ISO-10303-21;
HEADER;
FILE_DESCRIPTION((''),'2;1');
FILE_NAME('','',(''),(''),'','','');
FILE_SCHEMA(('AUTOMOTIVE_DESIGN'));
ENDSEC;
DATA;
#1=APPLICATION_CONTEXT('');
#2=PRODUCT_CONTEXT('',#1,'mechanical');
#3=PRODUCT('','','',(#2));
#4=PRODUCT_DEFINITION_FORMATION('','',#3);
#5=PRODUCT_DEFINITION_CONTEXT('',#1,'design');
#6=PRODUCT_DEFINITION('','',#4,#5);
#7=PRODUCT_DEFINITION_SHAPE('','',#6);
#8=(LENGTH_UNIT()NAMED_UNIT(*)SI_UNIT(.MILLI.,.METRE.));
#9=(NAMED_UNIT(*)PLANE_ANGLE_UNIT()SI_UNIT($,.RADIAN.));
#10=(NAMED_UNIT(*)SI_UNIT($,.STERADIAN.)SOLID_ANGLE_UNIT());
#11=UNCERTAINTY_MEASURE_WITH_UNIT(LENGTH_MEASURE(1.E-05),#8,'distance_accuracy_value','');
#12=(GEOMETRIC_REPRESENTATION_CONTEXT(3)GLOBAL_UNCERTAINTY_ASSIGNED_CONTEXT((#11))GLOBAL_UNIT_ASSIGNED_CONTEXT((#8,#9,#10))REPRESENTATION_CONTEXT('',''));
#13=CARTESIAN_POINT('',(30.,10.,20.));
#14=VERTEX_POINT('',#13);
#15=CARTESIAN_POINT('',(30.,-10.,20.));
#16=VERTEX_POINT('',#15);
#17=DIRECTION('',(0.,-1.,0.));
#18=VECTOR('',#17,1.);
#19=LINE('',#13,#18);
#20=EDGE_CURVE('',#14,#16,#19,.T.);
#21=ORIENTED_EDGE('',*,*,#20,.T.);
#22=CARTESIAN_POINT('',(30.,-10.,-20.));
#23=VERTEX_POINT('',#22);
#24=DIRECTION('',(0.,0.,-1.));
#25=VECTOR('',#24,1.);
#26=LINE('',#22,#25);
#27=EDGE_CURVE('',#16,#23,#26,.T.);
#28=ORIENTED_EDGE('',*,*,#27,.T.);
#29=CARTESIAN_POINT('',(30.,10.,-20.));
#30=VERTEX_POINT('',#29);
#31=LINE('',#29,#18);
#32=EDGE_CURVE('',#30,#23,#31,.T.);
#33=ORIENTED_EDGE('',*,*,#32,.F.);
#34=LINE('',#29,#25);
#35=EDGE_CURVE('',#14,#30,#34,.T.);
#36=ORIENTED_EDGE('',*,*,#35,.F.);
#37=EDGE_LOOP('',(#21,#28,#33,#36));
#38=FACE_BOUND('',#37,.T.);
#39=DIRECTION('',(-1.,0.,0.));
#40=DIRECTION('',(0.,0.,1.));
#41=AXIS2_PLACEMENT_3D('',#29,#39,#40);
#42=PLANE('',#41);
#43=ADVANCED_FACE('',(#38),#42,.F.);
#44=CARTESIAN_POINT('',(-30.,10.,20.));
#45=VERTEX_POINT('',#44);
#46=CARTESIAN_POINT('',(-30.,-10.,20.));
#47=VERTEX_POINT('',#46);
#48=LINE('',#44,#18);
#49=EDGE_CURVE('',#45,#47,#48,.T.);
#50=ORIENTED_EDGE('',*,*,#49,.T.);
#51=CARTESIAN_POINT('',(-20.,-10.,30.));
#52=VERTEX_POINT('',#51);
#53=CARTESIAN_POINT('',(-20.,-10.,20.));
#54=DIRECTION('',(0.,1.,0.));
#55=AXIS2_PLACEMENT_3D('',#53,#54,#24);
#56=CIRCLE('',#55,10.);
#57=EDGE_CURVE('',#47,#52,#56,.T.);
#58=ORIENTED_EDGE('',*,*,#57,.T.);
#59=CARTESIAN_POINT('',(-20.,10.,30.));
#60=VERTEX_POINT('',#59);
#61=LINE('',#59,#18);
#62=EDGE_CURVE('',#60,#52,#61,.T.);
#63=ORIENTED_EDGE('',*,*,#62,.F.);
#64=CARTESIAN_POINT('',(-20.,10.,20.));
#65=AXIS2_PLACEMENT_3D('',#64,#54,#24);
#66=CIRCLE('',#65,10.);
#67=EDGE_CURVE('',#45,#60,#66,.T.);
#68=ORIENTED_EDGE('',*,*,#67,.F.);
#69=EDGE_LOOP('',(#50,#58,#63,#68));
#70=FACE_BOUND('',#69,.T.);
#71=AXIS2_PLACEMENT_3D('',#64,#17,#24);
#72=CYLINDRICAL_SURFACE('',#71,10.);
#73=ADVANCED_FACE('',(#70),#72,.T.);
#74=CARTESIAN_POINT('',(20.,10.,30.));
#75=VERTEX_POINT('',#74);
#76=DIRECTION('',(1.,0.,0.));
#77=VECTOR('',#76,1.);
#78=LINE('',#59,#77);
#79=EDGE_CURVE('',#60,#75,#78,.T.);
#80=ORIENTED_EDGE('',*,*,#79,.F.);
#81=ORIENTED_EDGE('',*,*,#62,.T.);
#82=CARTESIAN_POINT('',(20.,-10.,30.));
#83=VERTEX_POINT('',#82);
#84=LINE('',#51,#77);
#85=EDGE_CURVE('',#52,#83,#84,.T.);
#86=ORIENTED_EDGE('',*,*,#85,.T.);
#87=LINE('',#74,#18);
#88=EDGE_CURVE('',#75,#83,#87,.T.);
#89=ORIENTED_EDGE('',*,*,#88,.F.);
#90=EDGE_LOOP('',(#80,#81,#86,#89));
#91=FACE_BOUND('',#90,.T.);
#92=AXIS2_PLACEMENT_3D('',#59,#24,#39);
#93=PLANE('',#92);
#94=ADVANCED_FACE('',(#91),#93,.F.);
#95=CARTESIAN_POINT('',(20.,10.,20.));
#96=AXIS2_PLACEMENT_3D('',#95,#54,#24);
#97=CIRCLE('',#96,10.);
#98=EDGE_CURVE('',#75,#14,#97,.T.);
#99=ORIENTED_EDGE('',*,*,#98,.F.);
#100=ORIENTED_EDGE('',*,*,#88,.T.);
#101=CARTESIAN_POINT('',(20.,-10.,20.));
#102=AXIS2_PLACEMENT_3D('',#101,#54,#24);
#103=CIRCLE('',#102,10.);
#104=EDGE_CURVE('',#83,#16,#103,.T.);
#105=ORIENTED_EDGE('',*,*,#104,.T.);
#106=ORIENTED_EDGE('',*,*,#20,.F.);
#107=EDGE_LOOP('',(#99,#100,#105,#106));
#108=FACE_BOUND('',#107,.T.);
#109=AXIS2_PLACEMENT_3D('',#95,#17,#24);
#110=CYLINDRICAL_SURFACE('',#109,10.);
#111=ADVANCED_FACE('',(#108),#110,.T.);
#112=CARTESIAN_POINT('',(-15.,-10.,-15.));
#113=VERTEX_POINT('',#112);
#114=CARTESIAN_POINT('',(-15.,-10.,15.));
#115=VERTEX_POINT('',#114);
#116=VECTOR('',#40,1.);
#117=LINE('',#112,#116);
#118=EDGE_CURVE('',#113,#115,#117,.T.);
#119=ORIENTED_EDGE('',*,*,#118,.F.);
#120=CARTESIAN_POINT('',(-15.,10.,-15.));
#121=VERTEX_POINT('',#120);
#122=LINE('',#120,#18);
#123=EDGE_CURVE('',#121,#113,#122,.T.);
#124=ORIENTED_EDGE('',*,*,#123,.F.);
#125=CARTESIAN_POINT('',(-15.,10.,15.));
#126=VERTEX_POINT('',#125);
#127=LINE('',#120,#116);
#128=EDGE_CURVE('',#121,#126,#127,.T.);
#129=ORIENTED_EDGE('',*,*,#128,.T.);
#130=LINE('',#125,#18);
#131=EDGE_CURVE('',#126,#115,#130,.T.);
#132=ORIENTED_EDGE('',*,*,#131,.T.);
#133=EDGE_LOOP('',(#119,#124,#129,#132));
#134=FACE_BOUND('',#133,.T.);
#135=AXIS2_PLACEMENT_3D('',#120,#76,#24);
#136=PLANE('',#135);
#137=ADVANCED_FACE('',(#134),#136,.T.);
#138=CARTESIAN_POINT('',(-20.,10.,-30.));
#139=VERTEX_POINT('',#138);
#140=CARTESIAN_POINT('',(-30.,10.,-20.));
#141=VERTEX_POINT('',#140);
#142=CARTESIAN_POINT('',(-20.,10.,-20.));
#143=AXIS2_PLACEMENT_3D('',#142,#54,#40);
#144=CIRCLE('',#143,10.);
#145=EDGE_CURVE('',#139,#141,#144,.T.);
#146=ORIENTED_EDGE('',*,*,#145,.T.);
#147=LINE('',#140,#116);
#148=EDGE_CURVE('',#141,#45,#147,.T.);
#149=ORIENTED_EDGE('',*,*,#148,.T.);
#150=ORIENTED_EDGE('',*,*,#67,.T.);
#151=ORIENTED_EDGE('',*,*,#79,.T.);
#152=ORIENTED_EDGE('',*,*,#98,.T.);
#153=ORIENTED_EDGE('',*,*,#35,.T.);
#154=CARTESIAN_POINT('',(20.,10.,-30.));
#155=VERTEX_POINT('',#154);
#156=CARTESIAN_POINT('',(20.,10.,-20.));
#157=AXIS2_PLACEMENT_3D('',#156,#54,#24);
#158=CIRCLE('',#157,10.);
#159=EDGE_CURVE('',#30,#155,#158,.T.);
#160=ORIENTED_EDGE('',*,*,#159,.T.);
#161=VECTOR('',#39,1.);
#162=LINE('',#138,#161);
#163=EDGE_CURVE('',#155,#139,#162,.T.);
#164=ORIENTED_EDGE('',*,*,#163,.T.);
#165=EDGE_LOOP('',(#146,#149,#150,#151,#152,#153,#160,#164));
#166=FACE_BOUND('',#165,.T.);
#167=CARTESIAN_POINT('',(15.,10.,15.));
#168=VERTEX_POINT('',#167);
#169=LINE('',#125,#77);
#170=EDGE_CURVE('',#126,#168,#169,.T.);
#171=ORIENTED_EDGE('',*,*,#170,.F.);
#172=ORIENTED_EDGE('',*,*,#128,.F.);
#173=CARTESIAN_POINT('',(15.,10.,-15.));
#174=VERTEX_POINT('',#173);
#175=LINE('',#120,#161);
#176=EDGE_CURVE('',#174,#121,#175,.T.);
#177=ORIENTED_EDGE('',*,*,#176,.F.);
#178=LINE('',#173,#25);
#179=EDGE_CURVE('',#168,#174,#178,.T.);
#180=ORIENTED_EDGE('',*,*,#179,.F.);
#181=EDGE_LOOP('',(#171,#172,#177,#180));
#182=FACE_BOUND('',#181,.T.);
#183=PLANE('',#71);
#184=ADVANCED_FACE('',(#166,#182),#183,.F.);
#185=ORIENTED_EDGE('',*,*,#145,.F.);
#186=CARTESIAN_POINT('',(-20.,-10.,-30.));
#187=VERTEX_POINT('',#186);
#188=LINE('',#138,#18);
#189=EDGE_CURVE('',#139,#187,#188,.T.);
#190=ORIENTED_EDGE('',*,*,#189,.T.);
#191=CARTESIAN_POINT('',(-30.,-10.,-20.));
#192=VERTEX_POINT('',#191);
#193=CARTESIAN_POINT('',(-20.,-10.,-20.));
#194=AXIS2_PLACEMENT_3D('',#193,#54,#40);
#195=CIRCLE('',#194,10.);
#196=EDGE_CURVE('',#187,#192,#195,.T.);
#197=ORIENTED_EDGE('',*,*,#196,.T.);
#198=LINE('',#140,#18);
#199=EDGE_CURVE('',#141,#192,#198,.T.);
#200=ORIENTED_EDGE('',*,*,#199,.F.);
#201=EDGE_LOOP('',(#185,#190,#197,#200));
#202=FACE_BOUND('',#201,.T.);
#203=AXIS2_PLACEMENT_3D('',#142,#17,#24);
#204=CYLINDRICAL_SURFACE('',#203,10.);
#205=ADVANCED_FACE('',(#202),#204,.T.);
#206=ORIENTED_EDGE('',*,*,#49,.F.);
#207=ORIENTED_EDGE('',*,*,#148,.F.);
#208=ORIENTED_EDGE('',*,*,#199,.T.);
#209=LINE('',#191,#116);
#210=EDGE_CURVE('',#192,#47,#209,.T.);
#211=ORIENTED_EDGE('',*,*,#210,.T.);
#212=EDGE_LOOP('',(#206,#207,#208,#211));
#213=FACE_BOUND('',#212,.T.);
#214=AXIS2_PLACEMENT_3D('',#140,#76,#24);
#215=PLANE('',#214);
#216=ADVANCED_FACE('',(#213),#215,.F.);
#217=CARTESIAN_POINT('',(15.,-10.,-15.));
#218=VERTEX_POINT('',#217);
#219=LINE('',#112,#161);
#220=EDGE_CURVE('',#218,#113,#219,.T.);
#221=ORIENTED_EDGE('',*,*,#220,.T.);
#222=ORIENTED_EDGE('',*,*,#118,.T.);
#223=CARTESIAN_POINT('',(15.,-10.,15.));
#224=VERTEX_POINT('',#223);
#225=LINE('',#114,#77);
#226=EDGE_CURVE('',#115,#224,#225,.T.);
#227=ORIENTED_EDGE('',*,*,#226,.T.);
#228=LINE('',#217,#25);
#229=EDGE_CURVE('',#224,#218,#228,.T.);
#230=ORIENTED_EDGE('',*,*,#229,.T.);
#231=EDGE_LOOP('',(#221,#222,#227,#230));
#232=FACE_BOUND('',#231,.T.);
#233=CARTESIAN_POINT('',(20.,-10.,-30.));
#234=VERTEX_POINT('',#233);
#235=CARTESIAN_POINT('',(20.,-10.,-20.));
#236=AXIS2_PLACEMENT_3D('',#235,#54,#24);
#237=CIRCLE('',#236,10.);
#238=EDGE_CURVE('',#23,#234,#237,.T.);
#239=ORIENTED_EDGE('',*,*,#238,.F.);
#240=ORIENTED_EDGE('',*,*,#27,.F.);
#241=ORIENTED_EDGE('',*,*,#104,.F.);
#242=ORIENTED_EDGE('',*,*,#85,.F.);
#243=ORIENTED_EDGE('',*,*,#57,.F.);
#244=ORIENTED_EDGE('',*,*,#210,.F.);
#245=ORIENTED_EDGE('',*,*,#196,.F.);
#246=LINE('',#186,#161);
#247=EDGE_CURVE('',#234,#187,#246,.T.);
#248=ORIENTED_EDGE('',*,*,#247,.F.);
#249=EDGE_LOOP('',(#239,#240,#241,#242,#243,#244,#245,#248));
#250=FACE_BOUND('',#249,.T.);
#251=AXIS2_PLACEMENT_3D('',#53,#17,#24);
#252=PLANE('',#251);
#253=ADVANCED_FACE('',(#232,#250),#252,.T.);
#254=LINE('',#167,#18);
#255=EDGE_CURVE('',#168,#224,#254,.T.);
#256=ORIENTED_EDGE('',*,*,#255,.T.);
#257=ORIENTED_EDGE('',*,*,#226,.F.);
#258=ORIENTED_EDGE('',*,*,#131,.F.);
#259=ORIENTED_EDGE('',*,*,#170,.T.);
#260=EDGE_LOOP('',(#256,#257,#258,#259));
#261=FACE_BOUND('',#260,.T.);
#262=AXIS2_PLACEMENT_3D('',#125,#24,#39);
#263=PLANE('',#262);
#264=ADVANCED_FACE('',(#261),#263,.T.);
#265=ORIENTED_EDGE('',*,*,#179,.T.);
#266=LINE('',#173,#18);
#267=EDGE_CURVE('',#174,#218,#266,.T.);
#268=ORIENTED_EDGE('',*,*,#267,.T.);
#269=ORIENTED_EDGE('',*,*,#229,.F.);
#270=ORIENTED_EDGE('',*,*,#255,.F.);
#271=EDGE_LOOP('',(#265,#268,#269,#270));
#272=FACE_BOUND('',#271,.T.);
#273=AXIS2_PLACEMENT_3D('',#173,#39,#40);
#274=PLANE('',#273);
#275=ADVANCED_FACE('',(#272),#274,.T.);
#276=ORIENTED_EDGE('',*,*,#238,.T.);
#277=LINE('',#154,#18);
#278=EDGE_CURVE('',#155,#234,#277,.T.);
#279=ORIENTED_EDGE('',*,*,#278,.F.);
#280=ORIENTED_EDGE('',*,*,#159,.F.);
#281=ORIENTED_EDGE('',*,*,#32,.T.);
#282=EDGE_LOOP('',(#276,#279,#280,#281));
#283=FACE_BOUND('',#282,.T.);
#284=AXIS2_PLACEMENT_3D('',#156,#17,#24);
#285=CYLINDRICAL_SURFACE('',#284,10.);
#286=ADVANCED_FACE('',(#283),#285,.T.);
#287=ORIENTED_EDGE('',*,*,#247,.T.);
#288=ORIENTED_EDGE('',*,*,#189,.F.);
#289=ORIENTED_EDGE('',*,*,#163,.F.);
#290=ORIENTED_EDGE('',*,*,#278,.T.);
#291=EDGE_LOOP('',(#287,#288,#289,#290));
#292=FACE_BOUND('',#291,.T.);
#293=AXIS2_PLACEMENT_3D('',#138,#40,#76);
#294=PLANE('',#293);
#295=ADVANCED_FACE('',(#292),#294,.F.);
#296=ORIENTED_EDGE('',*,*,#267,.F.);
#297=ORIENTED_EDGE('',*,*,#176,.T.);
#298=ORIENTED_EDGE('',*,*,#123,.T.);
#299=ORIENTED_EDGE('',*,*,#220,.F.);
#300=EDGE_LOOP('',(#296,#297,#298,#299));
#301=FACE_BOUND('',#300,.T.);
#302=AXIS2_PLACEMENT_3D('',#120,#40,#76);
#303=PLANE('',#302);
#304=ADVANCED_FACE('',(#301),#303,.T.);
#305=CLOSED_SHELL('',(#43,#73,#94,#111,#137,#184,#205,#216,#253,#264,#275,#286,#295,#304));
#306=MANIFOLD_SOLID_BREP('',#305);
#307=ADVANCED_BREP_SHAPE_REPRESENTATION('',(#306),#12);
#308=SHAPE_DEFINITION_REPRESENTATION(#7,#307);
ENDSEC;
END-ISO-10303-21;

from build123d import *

# Parameters (mm, degrees)
SKETCH1_W           = 30
SKETCH1_H           = 30
BOSS_EXTRUDE1_DEPTH = 10


with BuildPart() as part:
    # Sketch1 → Boss-Extrude1 (new, symmetric)
    with BuildSketch(Plane(origin=(0, 0, 0), x_dir=(1, 0, 0), z_dir=(0, 1, 0))):
        with BuildLine():
            Line((-20, 30), (20, 30))
            ThreePointArc((20, 30), (27.071067812, 27.071067812), (30, 20))
            Line((30, 20), (30, -20))
            ThreePointArc((30, -20), (27.071067812, -27.071067812), (20, -30))
            Line((20, -30), (-20, -30))
            ThreePointArc((-20, -30), (-27.071067812, -27.071067812), (-30, -20))
            Line((-30, -20), (-30, 20))
            ThreePointArc((-30, 20), (-27.071067812, 27.071067812), (-20, 30))
        make_face()
        Rectangle(SKETCH1_W, SKETCH1_H, mode=Mode.SUBTRACT)
    extrude(amount=BOSS_EXTRUDE1_DEPTH, both=True)


solid = part.part
